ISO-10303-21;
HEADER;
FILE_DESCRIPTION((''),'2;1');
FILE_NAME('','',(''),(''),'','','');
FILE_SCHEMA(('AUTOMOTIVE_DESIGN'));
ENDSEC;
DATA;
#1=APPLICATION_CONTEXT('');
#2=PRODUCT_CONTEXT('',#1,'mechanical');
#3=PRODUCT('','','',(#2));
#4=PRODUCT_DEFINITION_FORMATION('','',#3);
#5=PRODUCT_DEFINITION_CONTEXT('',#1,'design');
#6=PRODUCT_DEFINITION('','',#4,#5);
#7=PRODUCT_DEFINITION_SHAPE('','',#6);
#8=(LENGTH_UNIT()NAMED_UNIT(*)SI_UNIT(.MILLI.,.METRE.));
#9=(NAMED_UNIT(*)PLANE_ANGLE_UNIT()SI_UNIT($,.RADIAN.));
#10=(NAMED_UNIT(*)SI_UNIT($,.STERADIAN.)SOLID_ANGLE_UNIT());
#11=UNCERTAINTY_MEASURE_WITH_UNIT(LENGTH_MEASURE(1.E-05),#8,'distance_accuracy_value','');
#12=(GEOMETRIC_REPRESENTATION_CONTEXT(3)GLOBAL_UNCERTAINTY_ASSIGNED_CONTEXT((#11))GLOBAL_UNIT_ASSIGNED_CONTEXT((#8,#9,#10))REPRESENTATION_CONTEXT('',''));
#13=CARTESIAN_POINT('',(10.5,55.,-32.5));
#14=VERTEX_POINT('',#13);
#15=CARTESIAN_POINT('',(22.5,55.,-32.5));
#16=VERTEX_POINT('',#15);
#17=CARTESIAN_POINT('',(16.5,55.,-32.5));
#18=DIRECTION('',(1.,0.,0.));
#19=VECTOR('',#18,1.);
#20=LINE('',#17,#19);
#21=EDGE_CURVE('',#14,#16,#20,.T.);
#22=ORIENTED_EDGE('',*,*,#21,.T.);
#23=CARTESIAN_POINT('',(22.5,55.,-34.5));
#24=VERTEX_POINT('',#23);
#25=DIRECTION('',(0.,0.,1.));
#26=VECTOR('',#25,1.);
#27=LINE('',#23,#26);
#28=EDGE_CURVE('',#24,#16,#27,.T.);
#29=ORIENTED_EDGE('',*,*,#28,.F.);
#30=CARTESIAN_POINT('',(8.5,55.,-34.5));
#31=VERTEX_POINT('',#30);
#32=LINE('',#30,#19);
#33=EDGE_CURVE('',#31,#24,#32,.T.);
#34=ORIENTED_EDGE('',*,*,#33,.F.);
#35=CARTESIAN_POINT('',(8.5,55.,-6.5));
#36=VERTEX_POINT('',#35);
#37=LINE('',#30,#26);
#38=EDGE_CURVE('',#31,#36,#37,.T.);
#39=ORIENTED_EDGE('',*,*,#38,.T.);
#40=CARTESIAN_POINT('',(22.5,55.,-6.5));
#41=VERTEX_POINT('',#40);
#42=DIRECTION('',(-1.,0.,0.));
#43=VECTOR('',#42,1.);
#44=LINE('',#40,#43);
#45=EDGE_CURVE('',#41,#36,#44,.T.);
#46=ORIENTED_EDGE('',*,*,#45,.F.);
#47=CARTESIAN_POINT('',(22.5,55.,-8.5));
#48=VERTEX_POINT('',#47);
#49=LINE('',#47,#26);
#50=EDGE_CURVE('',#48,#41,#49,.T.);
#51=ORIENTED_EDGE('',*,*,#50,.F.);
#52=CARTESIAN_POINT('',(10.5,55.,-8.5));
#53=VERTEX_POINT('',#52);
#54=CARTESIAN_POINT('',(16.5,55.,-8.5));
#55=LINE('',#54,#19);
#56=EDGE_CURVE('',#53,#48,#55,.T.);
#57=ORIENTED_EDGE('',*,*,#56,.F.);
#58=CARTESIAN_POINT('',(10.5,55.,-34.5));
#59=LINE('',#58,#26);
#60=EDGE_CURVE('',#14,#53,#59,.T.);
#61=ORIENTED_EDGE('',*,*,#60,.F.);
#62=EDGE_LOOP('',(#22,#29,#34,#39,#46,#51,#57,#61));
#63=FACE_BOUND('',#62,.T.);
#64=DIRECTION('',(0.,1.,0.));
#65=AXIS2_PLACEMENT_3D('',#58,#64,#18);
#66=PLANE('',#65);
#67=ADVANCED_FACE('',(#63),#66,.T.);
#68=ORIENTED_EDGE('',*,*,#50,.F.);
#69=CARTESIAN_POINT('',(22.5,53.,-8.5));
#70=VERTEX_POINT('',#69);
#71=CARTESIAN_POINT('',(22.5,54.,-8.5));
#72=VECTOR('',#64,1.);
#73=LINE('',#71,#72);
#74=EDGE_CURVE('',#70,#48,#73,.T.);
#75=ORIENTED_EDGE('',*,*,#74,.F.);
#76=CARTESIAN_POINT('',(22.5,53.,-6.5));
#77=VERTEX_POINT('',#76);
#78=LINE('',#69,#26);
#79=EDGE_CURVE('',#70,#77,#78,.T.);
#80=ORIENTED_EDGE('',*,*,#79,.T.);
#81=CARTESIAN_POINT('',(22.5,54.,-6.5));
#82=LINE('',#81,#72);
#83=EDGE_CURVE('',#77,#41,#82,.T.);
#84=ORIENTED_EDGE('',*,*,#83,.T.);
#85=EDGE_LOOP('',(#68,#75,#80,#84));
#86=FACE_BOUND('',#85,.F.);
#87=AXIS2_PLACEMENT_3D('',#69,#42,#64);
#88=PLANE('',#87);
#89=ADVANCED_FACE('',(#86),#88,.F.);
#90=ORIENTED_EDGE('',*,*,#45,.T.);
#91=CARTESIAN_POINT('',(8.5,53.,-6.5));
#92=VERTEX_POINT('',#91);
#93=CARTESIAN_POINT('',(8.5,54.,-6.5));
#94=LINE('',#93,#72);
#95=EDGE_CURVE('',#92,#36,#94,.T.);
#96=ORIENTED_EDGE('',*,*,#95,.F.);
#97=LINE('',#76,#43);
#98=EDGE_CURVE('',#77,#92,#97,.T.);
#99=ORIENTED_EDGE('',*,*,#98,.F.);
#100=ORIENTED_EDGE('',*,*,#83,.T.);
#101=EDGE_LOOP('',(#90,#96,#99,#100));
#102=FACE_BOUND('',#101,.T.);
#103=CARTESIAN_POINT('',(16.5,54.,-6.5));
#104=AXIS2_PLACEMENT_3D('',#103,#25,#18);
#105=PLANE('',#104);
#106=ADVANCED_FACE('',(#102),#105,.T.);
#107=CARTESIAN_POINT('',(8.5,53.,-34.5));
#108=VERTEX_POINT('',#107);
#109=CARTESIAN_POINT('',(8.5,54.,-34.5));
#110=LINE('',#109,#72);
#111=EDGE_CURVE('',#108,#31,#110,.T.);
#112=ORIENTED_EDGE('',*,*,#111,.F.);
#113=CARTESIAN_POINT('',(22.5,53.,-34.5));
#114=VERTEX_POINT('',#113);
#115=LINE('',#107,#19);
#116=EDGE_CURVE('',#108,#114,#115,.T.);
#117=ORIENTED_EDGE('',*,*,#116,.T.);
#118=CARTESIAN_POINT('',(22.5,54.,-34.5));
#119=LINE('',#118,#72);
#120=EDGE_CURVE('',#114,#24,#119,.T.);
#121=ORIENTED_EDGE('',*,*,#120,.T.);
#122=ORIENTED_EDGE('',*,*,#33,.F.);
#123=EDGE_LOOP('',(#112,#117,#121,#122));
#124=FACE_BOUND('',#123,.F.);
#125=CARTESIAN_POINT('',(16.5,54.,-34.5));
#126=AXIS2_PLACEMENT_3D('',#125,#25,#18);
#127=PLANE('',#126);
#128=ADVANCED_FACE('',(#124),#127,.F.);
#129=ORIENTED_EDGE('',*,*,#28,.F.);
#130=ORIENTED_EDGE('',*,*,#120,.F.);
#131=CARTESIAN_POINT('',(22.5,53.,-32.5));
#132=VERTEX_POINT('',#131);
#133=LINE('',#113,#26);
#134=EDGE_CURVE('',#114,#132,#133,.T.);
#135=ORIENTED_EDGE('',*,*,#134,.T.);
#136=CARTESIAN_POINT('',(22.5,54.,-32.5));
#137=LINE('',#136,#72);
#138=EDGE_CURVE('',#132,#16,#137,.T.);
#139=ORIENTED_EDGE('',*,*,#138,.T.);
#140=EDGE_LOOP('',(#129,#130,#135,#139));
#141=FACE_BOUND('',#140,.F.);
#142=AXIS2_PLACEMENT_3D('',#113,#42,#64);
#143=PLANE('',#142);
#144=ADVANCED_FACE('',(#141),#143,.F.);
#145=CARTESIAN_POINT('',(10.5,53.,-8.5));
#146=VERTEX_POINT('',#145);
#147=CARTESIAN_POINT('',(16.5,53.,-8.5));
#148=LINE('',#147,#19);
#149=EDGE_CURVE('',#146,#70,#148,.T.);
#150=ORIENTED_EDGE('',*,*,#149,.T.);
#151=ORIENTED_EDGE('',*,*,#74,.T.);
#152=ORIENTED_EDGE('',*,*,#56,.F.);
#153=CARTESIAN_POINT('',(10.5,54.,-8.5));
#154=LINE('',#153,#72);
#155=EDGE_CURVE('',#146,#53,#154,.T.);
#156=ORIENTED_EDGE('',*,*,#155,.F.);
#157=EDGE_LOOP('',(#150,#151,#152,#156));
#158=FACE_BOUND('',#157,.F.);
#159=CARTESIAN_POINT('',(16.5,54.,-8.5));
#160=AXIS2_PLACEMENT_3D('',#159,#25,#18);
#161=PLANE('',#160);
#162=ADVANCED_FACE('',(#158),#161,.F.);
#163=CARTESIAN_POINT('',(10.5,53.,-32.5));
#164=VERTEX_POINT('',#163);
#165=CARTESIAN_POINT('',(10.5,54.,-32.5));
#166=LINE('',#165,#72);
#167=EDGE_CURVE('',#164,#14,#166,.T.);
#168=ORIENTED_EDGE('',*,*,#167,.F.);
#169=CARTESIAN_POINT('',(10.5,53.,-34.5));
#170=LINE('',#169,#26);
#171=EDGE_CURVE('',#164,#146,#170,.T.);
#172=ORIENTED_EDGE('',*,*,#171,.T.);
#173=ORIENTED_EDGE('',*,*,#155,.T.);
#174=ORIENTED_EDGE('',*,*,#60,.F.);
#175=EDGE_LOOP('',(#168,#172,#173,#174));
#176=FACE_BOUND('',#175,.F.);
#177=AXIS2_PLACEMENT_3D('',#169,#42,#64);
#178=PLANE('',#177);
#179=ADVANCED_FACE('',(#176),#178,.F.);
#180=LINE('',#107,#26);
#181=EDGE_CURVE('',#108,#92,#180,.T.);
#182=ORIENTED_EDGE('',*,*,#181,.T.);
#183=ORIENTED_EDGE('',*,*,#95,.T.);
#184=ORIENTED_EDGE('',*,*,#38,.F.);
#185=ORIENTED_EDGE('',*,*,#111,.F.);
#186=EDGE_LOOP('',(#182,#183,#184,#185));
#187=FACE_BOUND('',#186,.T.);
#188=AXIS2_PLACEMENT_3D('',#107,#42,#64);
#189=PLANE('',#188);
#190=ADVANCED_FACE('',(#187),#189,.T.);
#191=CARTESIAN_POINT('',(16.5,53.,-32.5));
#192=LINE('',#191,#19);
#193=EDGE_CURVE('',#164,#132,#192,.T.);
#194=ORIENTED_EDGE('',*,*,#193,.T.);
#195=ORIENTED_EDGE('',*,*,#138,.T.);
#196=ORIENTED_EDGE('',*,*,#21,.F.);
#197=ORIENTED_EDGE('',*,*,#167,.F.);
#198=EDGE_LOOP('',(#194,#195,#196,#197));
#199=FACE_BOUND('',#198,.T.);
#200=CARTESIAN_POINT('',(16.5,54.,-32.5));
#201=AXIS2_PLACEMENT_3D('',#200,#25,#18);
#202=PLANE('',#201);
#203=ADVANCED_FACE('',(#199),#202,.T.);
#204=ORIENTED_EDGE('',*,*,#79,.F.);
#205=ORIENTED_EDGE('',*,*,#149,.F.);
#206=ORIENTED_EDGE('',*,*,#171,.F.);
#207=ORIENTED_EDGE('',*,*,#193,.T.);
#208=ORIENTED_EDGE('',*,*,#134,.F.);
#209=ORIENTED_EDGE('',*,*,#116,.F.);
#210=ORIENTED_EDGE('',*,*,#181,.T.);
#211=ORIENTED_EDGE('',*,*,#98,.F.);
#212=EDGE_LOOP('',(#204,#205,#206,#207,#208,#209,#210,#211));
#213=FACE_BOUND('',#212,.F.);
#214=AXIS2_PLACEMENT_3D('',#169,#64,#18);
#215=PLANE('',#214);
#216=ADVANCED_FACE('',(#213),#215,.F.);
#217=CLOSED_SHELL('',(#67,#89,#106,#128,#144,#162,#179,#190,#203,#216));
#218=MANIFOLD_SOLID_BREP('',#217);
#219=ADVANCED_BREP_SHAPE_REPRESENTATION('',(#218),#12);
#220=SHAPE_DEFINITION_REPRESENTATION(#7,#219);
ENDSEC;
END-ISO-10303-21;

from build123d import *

# Parameters (mm, degrees)
BOX218_W     = 12
BOX218_H     = 2
BOX218_DEPTH = 2
BOX219_W     = 12
BOX219_H     = 2
BOX219_DEPTH = 2
BOX214_W     = 2
BOX214_H     = 2
BOX214_DEPTH = 28


with BuildPart() as cube207:
    # Box218 → Box218 (new body)
    with BuildSketch(Plane(origin=(10.5, 53, -8.5), x_dir=(1, 0, 0), z_dir=(0, 0, 1))):
        with Locations((6, 1)):
            Rectangle(BOX218_W, BOX218_H)
    extrude(amount=BOX218_DEPTH)


with BuildPart() as cube208:
    # Box219 → Box219 (new body)
    with BuildSketch(Plane(origin=(10.5, 53, -34.5), x_dir=(1, 0, 0), z_dir=(0, 0, 1))):
        with Locations((6, 1)):
            Rectangle(BOX219_W, BOX219_H)
    extrude(amount=BOX219_DEPTH)


with BuildPart() as fusion069:
    # Box214 → Box214 (new body)
    with BuildSketch(Plane(origin=(8.5, 53, -34.5), x_dir=(1, 0, 0), z_dir=(0, 0, 1))):
        with Locations((1, 1)):
            Rectangle(BOX214_W, BOX214_H)
    extrude(amount=BOX214_DEPTH)

    # Fusion069: union Cube207, Cube208
    add(cube207.part)
    add(cube208.part)


solid = fusion069.part
